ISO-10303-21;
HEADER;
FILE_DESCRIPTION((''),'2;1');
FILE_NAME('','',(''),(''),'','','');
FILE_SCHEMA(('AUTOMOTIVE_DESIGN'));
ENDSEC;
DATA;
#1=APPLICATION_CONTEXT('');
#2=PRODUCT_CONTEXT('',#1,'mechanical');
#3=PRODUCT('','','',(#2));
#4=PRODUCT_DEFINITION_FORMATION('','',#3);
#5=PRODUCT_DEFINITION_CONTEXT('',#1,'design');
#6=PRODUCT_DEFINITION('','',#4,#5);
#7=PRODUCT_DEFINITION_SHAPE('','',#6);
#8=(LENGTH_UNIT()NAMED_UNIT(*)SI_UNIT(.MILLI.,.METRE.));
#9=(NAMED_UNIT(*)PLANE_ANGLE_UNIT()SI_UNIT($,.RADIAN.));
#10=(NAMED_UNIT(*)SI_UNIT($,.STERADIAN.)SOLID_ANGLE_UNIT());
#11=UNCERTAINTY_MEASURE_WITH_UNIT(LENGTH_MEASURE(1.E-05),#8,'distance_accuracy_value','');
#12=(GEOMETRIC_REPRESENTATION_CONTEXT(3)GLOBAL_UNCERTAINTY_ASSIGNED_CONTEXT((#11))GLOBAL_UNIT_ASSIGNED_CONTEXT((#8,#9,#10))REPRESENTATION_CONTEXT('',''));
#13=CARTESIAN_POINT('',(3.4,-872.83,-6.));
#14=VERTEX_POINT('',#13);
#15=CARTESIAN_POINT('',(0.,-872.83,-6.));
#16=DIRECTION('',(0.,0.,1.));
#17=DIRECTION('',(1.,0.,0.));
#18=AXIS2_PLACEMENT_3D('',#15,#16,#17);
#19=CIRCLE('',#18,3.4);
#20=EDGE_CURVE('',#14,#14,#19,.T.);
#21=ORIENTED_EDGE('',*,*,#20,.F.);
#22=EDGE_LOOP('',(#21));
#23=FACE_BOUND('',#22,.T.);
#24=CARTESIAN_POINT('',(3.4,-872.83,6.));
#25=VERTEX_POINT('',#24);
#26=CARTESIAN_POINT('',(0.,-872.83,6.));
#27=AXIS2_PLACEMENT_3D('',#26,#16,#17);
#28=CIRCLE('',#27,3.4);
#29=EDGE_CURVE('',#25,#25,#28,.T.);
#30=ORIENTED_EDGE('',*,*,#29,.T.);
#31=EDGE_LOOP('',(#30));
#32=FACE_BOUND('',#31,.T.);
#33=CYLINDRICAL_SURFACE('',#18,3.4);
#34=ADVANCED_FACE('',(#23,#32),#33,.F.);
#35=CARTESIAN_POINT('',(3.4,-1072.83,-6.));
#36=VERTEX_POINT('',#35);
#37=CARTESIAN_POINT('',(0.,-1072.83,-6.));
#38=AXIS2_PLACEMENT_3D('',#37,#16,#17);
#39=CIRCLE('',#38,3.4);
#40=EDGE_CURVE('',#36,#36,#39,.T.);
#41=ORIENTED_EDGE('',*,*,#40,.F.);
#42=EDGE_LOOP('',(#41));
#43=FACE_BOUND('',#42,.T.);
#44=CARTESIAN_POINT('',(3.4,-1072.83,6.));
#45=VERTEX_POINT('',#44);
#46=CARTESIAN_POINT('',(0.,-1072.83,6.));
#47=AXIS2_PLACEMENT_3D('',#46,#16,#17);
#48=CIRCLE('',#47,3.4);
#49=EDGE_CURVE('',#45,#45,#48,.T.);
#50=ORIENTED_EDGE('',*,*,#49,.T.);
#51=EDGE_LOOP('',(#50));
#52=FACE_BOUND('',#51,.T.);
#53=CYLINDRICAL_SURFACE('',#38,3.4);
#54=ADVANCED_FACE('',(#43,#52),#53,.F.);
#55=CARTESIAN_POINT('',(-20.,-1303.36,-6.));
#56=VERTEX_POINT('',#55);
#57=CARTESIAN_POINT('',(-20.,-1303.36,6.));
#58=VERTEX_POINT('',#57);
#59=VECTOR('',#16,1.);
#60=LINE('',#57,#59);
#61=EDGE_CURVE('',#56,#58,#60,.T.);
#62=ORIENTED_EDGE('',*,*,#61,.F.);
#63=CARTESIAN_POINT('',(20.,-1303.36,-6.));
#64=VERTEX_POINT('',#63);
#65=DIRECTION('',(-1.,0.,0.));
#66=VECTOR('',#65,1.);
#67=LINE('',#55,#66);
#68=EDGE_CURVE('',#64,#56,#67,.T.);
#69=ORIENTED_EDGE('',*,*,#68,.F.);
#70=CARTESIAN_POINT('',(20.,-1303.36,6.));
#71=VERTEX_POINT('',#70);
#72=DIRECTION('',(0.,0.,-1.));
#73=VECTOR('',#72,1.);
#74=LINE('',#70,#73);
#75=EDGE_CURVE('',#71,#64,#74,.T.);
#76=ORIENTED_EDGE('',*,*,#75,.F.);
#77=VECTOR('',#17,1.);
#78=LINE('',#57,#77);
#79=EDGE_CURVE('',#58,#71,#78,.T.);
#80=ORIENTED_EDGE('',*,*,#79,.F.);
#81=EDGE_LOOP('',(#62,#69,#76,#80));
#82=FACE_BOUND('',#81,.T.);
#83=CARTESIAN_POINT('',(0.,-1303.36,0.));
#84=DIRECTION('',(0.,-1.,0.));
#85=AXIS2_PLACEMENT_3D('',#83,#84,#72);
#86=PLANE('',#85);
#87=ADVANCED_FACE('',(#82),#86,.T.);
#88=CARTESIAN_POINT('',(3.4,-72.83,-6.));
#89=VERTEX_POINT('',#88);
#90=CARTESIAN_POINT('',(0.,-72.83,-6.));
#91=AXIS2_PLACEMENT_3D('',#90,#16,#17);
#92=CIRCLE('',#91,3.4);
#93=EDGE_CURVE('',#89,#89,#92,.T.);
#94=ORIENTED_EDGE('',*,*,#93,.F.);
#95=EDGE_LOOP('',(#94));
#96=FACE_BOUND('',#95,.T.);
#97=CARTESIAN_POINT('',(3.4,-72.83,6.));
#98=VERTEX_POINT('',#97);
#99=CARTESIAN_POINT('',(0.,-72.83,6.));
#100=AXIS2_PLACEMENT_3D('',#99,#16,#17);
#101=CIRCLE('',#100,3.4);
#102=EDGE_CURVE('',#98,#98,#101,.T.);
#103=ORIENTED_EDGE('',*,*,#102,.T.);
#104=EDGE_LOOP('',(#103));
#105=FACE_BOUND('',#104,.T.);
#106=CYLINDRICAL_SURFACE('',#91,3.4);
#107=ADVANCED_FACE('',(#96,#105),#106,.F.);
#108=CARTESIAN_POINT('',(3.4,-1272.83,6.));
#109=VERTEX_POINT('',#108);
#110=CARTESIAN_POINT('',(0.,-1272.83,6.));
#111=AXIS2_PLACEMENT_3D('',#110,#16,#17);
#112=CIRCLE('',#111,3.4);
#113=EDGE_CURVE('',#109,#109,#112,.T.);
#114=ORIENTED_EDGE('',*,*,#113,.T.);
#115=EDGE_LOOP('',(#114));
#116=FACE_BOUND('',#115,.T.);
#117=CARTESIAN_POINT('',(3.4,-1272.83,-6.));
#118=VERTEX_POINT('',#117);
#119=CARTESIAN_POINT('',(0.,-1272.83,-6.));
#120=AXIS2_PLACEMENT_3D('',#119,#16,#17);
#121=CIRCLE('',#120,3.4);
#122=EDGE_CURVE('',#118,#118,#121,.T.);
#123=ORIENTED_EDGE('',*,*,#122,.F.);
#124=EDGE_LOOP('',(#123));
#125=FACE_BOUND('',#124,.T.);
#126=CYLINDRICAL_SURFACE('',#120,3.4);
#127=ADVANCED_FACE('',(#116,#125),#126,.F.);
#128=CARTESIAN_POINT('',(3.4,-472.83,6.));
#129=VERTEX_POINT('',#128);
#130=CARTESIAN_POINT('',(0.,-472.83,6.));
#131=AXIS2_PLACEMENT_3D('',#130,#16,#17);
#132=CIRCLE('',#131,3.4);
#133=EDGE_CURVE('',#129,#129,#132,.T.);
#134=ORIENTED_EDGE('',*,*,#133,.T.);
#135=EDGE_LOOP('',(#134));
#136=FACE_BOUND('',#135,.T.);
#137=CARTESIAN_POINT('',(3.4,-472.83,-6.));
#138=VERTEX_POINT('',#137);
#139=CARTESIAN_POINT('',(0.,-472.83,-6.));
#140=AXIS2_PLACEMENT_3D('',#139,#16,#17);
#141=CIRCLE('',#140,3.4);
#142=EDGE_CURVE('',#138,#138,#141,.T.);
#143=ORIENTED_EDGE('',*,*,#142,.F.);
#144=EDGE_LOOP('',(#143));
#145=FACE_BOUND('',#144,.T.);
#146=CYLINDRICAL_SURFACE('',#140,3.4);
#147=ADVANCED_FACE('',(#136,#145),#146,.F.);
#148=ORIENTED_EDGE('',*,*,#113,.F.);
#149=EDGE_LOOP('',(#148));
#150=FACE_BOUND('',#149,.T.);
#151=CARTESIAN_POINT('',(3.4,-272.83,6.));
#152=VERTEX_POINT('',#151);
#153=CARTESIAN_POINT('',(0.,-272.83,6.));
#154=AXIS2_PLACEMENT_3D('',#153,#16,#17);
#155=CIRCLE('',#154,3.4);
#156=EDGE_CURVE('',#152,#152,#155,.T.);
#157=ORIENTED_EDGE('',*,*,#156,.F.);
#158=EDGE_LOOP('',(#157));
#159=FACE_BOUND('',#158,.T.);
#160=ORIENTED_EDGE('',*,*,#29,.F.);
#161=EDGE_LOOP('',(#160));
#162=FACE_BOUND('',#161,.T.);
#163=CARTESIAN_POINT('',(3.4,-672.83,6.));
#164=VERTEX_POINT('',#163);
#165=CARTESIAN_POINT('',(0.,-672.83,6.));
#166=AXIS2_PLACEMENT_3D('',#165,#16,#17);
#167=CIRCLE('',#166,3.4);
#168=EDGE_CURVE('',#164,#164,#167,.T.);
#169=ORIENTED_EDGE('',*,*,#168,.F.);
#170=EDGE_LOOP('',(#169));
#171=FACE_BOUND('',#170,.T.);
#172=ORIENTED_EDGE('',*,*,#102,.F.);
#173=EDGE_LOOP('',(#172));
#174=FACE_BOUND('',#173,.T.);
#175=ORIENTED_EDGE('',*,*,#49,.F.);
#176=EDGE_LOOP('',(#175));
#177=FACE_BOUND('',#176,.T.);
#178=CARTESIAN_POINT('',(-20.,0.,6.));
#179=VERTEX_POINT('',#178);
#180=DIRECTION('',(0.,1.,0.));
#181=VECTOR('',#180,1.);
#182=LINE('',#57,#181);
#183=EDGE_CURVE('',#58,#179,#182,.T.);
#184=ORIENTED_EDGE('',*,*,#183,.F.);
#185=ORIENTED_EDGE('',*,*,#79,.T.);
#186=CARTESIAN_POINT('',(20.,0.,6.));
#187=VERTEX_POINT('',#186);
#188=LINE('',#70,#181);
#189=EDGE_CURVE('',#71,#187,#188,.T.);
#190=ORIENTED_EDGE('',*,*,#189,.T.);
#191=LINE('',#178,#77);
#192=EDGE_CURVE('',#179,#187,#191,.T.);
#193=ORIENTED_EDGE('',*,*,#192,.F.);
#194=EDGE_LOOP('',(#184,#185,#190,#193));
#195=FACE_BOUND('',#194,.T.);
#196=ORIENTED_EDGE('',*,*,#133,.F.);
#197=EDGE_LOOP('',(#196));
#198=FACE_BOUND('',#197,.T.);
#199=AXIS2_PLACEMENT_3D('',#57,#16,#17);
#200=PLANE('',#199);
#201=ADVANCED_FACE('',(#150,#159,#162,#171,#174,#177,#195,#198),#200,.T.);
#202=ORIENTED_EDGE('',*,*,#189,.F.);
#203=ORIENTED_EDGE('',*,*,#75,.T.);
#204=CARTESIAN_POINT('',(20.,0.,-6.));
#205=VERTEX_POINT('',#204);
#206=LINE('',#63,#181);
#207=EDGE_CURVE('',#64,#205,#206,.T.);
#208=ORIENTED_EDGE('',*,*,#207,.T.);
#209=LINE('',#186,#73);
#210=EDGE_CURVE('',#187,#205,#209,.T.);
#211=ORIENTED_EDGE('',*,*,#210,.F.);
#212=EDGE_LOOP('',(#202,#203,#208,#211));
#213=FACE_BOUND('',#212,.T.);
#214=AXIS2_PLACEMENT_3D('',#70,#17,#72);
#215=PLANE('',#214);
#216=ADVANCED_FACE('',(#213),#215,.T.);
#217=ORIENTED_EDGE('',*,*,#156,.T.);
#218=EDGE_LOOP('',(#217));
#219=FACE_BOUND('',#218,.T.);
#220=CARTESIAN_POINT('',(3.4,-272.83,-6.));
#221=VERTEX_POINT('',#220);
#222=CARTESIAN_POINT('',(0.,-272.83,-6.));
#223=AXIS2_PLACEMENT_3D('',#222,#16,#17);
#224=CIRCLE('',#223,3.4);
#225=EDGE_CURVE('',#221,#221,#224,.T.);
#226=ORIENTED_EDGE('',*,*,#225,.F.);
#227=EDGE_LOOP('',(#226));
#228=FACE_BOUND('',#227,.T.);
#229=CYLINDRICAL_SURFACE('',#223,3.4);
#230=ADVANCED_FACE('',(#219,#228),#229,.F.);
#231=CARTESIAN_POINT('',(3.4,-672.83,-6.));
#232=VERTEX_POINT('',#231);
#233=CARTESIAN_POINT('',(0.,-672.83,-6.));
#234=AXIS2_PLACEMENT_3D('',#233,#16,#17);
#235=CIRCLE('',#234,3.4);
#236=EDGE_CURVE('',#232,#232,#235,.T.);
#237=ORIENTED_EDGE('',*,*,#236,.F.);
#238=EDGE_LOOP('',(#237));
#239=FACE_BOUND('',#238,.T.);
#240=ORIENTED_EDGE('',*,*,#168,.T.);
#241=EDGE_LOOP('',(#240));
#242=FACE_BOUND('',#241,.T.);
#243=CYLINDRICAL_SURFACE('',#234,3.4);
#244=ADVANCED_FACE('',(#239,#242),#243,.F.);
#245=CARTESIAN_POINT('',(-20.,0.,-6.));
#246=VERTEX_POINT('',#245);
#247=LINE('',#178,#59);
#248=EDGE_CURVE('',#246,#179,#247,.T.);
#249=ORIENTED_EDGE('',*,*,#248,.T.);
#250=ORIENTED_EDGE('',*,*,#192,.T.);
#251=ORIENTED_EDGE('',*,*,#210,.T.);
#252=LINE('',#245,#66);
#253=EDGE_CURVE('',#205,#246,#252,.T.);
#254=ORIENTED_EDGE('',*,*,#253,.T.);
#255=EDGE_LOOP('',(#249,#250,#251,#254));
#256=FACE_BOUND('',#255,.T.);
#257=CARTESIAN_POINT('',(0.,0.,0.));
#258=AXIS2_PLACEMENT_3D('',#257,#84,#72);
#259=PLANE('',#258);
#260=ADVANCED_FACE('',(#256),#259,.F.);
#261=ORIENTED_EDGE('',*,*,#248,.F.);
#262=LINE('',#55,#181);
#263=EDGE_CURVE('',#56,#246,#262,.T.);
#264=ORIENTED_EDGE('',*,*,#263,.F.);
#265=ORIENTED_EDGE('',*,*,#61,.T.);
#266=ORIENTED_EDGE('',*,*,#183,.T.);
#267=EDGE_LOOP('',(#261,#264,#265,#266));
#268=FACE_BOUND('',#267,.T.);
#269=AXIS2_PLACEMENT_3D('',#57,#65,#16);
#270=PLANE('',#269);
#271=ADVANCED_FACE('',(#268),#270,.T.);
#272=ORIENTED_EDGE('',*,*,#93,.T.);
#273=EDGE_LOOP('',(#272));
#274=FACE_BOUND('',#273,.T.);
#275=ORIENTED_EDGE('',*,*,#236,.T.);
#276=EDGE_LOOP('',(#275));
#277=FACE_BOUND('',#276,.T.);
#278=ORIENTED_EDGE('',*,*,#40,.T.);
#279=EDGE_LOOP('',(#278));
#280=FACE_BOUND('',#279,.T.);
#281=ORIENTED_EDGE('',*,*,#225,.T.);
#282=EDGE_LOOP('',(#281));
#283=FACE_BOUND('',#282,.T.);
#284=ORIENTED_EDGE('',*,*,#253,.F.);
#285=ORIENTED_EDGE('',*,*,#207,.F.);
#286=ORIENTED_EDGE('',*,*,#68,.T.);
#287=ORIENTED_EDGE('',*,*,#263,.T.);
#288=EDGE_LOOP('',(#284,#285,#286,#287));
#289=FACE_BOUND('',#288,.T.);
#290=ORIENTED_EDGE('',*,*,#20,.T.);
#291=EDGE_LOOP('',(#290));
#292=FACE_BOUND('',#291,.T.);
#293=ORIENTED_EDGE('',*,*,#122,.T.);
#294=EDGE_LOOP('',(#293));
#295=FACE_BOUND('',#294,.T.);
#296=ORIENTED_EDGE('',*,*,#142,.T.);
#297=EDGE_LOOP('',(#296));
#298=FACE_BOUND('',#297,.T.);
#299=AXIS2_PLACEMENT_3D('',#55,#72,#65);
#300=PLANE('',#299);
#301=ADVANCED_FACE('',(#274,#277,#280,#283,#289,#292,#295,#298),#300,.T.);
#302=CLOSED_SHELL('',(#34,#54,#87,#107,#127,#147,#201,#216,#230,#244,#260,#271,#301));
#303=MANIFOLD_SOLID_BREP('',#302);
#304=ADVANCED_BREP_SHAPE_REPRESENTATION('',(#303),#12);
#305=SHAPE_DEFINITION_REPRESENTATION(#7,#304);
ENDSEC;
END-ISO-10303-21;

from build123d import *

# Parameters (mm, degrees)
SKETCH1_W           = 40
SKETCH1_H           = 12
BOSS_EXTRUDE1_DEPTH = 1303.36
SKETCH2_R           = 3.4
CUT_EXTRUDE1_DEPTH  = 1304.568674677


with BuildPart() as part:
    # Sketch1 → Boss-Extrude1 (new body)
    with BuildSketch(Plane(origin=(0, 0, 0), x_dir=(1, 0, 0), z_dir=(0, 1, 0))):
        Rectangle(SKETCH1_W, SKETCH1_H)
    extrude(amount=-BOSS_EXTRUDE1_DEPTH)

    # Sketch2 → Cut-Extrude1 (cut, through all)
    with BuildSketch(Plane.XY.offset(6)):
        with Locations((0, -1072.83)):
            Circle(SKETCH2_R)
        with Locations((0, -872.83)):
            Circle(SKETCH2_R)
        with Locations((0, -472.83)):
            Circle(SKETCH2_R)
        with Locations((0, -272.83)):
            Circle(SKETCH2_R)
        with Locations((0, -72.83)):
            Circle(SKETCH2_R)
        with Locations((0, -672.83)):
            Circle(SKETCH2_R)
        with Locations((0, -1272.83)):
            Circle(SKETCH2_R)
    extrude(amount=-CUT_EXTRUDE1_DEPTH, mode=Mode.SUBTRACT)


solid = part.part
